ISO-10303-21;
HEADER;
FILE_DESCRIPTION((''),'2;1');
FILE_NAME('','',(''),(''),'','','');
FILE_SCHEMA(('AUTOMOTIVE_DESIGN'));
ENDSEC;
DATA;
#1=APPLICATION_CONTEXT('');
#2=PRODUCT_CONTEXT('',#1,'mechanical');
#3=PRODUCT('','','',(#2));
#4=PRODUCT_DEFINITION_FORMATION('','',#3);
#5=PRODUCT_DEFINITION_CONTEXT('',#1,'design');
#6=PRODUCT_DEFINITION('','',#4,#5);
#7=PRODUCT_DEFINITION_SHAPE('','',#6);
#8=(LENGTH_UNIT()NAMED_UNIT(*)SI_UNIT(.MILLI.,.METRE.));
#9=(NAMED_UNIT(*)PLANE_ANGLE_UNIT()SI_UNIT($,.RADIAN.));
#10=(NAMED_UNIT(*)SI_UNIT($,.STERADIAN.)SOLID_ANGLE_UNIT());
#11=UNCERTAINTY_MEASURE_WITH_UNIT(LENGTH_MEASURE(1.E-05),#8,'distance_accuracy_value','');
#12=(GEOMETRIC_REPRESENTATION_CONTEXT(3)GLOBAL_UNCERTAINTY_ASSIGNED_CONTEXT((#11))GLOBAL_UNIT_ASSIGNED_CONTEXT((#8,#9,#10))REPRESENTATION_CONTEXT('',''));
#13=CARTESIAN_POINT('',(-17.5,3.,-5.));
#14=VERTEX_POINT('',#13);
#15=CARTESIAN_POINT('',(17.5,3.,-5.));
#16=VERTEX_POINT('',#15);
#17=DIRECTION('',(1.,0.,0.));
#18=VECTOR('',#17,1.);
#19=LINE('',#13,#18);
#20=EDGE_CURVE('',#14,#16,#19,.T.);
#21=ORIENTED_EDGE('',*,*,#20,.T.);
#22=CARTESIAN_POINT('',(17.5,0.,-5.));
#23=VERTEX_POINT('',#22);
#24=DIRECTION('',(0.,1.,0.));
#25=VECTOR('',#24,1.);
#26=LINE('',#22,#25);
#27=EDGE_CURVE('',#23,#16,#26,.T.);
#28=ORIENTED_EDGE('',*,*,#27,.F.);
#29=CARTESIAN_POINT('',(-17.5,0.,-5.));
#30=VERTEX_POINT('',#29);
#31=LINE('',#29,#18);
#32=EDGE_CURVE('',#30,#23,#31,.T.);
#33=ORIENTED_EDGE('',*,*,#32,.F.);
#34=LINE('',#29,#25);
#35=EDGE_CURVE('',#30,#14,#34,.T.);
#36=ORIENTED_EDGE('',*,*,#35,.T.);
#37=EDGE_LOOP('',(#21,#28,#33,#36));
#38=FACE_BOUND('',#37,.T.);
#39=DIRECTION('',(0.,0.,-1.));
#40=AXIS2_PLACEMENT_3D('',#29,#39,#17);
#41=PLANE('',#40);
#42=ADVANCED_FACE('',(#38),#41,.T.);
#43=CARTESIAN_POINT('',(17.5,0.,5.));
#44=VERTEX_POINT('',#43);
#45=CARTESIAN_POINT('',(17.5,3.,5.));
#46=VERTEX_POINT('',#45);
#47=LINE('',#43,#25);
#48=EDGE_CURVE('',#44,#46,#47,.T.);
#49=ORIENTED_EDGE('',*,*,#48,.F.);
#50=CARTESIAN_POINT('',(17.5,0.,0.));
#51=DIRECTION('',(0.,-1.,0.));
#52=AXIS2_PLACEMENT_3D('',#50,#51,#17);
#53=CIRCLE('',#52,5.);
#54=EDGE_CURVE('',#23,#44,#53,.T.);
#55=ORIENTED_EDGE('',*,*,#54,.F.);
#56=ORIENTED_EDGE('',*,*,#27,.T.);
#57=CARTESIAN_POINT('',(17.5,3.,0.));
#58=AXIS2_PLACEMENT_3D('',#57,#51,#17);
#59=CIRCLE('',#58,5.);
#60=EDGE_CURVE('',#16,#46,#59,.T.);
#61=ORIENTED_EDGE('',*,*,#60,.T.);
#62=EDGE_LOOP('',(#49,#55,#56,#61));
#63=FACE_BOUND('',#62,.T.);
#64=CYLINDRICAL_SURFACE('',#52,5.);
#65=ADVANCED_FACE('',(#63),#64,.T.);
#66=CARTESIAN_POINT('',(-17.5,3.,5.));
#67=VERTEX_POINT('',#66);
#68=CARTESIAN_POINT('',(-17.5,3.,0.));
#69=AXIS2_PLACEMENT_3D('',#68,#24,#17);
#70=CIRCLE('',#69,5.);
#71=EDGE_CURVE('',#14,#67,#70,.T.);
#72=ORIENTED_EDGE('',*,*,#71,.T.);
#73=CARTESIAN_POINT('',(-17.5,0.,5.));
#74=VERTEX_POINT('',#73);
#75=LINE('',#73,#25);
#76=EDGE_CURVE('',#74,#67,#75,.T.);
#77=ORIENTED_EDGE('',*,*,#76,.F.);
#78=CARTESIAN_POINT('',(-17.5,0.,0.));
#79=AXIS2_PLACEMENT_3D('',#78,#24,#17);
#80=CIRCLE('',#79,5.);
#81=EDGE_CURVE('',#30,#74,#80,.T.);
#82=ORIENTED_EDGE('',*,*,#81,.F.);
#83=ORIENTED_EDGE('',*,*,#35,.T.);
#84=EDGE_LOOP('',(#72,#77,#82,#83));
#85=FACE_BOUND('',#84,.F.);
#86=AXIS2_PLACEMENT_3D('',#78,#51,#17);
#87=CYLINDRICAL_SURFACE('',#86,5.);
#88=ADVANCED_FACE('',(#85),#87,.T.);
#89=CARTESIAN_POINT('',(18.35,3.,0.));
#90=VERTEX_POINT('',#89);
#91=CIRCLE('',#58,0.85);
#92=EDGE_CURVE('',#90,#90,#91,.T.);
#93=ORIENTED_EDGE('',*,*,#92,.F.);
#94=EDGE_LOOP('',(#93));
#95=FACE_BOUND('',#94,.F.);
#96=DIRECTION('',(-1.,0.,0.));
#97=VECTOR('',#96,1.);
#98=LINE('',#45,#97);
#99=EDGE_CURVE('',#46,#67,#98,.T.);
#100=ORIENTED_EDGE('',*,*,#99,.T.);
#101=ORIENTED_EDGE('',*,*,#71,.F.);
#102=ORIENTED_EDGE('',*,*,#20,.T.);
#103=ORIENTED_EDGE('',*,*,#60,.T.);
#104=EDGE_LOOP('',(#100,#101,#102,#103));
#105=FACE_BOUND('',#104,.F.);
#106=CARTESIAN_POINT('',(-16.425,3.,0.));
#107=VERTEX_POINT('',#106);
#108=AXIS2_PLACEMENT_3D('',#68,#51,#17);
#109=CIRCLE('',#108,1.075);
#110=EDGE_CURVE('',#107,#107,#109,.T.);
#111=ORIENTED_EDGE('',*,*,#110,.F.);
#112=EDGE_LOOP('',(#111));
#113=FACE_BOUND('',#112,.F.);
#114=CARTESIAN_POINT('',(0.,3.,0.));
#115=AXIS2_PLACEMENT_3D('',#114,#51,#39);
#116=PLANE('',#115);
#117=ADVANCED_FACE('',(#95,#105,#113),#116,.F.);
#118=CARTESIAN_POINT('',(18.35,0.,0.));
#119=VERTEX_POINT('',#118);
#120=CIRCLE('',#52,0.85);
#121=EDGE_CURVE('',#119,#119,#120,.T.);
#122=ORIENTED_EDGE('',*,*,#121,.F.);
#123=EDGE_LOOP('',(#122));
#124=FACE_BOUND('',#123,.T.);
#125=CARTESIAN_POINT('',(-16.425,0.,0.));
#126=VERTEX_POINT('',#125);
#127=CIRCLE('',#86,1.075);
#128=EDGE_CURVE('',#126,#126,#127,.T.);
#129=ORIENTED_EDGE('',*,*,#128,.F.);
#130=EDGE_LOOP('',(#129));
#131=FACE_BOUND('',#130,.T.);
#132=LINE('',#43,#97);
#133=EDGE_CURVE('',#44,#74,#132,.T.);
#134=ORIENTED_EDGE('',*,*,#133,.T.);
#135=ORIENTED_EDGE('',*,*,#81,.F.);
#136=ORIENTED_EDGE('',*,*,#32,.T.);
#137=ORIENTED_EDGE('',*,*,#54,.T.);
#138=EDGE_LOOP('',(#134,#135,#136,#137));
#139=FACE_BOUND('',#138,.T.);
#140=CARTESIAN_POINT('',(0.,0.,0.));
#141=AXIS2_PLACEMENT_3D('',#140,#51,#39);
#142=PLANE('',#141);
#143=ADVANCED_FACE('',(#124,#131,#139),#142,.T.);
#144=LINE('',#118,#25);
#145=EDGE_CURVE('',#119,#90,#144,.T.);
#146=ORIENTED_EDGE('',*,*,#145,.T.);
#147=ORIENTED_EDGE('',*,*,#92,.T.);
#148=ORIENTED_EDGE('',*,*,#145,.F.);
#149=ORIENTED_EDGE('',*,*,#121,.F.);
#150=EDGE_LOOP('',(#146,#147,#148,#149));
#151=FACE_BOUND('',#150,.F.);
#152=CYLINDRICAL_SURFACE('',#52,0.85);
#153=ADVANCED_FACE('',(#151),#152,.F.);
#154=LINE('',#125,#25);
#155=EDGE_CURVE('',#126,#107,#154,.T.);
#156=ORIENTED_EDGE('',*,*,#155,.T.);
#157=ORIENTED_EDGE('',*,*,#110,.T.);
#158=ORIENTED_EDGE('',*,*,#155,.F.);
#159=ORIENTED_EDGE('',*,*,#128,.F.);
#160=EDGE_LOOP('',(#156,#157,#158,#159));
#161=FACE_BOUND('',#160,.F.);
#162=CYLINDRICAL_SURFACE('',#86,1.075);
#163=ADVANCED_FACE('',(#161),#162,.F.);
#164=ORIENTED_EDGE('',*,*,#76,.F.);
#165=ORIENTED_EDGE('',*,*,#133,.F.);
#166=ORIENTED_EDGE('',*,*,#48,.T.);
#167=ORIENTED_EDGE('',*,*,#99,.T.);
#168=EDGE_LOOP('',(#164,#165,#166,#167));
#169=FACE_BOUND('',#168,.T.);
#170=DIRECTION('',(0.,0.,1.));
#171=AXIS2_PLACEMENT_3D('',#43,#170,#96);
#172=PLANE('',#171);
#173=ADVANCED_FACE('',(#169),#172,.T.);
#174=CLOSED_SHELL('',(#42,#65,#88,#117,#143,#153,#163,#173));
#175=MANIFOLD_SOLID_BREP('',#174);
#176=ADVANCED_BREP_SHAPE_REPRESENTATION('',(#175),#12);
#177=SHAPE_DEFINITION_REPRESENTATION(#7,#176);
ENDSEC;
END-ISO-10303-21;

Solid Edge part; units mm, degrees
sketch "Sketch1" plane through (0, 0, 0) normal (0, -1, 0) x (1, 0, 0)
  line L0 (-17.5, -5) -> (17.5, -5)
  arc A0 (17.5, -5) -> (17.5, 5) centre (17.5, 0) ccw
  line L1 (17.5, 5) -> (-17.5, 5)
  arc A1 (-17.5, -5) -> (-17.5, 5) centre (-17.5, 0) cw
  dimension "D1" = 35
  dimension "D2" = 10
extrude "Ajout_matière_1" add sketch "Sketch1" against normal blind 3
sketch "Sketch2" plane through (0, 0, 0) normal (0, -1, 0) x (1, 0, 0)
  circle A0 centre (-17.5, 0) radius 1.075
  circle A1 centre (17.5, 0) radius 0.85
  dimension "D1" = 1.7
  dimension "D2" = 2.15
extrude "Enlèvement_matière_1" cut sketch "Sketch2" against normal blind 26.6987
properties part number "13" material "MDF 3mm"
